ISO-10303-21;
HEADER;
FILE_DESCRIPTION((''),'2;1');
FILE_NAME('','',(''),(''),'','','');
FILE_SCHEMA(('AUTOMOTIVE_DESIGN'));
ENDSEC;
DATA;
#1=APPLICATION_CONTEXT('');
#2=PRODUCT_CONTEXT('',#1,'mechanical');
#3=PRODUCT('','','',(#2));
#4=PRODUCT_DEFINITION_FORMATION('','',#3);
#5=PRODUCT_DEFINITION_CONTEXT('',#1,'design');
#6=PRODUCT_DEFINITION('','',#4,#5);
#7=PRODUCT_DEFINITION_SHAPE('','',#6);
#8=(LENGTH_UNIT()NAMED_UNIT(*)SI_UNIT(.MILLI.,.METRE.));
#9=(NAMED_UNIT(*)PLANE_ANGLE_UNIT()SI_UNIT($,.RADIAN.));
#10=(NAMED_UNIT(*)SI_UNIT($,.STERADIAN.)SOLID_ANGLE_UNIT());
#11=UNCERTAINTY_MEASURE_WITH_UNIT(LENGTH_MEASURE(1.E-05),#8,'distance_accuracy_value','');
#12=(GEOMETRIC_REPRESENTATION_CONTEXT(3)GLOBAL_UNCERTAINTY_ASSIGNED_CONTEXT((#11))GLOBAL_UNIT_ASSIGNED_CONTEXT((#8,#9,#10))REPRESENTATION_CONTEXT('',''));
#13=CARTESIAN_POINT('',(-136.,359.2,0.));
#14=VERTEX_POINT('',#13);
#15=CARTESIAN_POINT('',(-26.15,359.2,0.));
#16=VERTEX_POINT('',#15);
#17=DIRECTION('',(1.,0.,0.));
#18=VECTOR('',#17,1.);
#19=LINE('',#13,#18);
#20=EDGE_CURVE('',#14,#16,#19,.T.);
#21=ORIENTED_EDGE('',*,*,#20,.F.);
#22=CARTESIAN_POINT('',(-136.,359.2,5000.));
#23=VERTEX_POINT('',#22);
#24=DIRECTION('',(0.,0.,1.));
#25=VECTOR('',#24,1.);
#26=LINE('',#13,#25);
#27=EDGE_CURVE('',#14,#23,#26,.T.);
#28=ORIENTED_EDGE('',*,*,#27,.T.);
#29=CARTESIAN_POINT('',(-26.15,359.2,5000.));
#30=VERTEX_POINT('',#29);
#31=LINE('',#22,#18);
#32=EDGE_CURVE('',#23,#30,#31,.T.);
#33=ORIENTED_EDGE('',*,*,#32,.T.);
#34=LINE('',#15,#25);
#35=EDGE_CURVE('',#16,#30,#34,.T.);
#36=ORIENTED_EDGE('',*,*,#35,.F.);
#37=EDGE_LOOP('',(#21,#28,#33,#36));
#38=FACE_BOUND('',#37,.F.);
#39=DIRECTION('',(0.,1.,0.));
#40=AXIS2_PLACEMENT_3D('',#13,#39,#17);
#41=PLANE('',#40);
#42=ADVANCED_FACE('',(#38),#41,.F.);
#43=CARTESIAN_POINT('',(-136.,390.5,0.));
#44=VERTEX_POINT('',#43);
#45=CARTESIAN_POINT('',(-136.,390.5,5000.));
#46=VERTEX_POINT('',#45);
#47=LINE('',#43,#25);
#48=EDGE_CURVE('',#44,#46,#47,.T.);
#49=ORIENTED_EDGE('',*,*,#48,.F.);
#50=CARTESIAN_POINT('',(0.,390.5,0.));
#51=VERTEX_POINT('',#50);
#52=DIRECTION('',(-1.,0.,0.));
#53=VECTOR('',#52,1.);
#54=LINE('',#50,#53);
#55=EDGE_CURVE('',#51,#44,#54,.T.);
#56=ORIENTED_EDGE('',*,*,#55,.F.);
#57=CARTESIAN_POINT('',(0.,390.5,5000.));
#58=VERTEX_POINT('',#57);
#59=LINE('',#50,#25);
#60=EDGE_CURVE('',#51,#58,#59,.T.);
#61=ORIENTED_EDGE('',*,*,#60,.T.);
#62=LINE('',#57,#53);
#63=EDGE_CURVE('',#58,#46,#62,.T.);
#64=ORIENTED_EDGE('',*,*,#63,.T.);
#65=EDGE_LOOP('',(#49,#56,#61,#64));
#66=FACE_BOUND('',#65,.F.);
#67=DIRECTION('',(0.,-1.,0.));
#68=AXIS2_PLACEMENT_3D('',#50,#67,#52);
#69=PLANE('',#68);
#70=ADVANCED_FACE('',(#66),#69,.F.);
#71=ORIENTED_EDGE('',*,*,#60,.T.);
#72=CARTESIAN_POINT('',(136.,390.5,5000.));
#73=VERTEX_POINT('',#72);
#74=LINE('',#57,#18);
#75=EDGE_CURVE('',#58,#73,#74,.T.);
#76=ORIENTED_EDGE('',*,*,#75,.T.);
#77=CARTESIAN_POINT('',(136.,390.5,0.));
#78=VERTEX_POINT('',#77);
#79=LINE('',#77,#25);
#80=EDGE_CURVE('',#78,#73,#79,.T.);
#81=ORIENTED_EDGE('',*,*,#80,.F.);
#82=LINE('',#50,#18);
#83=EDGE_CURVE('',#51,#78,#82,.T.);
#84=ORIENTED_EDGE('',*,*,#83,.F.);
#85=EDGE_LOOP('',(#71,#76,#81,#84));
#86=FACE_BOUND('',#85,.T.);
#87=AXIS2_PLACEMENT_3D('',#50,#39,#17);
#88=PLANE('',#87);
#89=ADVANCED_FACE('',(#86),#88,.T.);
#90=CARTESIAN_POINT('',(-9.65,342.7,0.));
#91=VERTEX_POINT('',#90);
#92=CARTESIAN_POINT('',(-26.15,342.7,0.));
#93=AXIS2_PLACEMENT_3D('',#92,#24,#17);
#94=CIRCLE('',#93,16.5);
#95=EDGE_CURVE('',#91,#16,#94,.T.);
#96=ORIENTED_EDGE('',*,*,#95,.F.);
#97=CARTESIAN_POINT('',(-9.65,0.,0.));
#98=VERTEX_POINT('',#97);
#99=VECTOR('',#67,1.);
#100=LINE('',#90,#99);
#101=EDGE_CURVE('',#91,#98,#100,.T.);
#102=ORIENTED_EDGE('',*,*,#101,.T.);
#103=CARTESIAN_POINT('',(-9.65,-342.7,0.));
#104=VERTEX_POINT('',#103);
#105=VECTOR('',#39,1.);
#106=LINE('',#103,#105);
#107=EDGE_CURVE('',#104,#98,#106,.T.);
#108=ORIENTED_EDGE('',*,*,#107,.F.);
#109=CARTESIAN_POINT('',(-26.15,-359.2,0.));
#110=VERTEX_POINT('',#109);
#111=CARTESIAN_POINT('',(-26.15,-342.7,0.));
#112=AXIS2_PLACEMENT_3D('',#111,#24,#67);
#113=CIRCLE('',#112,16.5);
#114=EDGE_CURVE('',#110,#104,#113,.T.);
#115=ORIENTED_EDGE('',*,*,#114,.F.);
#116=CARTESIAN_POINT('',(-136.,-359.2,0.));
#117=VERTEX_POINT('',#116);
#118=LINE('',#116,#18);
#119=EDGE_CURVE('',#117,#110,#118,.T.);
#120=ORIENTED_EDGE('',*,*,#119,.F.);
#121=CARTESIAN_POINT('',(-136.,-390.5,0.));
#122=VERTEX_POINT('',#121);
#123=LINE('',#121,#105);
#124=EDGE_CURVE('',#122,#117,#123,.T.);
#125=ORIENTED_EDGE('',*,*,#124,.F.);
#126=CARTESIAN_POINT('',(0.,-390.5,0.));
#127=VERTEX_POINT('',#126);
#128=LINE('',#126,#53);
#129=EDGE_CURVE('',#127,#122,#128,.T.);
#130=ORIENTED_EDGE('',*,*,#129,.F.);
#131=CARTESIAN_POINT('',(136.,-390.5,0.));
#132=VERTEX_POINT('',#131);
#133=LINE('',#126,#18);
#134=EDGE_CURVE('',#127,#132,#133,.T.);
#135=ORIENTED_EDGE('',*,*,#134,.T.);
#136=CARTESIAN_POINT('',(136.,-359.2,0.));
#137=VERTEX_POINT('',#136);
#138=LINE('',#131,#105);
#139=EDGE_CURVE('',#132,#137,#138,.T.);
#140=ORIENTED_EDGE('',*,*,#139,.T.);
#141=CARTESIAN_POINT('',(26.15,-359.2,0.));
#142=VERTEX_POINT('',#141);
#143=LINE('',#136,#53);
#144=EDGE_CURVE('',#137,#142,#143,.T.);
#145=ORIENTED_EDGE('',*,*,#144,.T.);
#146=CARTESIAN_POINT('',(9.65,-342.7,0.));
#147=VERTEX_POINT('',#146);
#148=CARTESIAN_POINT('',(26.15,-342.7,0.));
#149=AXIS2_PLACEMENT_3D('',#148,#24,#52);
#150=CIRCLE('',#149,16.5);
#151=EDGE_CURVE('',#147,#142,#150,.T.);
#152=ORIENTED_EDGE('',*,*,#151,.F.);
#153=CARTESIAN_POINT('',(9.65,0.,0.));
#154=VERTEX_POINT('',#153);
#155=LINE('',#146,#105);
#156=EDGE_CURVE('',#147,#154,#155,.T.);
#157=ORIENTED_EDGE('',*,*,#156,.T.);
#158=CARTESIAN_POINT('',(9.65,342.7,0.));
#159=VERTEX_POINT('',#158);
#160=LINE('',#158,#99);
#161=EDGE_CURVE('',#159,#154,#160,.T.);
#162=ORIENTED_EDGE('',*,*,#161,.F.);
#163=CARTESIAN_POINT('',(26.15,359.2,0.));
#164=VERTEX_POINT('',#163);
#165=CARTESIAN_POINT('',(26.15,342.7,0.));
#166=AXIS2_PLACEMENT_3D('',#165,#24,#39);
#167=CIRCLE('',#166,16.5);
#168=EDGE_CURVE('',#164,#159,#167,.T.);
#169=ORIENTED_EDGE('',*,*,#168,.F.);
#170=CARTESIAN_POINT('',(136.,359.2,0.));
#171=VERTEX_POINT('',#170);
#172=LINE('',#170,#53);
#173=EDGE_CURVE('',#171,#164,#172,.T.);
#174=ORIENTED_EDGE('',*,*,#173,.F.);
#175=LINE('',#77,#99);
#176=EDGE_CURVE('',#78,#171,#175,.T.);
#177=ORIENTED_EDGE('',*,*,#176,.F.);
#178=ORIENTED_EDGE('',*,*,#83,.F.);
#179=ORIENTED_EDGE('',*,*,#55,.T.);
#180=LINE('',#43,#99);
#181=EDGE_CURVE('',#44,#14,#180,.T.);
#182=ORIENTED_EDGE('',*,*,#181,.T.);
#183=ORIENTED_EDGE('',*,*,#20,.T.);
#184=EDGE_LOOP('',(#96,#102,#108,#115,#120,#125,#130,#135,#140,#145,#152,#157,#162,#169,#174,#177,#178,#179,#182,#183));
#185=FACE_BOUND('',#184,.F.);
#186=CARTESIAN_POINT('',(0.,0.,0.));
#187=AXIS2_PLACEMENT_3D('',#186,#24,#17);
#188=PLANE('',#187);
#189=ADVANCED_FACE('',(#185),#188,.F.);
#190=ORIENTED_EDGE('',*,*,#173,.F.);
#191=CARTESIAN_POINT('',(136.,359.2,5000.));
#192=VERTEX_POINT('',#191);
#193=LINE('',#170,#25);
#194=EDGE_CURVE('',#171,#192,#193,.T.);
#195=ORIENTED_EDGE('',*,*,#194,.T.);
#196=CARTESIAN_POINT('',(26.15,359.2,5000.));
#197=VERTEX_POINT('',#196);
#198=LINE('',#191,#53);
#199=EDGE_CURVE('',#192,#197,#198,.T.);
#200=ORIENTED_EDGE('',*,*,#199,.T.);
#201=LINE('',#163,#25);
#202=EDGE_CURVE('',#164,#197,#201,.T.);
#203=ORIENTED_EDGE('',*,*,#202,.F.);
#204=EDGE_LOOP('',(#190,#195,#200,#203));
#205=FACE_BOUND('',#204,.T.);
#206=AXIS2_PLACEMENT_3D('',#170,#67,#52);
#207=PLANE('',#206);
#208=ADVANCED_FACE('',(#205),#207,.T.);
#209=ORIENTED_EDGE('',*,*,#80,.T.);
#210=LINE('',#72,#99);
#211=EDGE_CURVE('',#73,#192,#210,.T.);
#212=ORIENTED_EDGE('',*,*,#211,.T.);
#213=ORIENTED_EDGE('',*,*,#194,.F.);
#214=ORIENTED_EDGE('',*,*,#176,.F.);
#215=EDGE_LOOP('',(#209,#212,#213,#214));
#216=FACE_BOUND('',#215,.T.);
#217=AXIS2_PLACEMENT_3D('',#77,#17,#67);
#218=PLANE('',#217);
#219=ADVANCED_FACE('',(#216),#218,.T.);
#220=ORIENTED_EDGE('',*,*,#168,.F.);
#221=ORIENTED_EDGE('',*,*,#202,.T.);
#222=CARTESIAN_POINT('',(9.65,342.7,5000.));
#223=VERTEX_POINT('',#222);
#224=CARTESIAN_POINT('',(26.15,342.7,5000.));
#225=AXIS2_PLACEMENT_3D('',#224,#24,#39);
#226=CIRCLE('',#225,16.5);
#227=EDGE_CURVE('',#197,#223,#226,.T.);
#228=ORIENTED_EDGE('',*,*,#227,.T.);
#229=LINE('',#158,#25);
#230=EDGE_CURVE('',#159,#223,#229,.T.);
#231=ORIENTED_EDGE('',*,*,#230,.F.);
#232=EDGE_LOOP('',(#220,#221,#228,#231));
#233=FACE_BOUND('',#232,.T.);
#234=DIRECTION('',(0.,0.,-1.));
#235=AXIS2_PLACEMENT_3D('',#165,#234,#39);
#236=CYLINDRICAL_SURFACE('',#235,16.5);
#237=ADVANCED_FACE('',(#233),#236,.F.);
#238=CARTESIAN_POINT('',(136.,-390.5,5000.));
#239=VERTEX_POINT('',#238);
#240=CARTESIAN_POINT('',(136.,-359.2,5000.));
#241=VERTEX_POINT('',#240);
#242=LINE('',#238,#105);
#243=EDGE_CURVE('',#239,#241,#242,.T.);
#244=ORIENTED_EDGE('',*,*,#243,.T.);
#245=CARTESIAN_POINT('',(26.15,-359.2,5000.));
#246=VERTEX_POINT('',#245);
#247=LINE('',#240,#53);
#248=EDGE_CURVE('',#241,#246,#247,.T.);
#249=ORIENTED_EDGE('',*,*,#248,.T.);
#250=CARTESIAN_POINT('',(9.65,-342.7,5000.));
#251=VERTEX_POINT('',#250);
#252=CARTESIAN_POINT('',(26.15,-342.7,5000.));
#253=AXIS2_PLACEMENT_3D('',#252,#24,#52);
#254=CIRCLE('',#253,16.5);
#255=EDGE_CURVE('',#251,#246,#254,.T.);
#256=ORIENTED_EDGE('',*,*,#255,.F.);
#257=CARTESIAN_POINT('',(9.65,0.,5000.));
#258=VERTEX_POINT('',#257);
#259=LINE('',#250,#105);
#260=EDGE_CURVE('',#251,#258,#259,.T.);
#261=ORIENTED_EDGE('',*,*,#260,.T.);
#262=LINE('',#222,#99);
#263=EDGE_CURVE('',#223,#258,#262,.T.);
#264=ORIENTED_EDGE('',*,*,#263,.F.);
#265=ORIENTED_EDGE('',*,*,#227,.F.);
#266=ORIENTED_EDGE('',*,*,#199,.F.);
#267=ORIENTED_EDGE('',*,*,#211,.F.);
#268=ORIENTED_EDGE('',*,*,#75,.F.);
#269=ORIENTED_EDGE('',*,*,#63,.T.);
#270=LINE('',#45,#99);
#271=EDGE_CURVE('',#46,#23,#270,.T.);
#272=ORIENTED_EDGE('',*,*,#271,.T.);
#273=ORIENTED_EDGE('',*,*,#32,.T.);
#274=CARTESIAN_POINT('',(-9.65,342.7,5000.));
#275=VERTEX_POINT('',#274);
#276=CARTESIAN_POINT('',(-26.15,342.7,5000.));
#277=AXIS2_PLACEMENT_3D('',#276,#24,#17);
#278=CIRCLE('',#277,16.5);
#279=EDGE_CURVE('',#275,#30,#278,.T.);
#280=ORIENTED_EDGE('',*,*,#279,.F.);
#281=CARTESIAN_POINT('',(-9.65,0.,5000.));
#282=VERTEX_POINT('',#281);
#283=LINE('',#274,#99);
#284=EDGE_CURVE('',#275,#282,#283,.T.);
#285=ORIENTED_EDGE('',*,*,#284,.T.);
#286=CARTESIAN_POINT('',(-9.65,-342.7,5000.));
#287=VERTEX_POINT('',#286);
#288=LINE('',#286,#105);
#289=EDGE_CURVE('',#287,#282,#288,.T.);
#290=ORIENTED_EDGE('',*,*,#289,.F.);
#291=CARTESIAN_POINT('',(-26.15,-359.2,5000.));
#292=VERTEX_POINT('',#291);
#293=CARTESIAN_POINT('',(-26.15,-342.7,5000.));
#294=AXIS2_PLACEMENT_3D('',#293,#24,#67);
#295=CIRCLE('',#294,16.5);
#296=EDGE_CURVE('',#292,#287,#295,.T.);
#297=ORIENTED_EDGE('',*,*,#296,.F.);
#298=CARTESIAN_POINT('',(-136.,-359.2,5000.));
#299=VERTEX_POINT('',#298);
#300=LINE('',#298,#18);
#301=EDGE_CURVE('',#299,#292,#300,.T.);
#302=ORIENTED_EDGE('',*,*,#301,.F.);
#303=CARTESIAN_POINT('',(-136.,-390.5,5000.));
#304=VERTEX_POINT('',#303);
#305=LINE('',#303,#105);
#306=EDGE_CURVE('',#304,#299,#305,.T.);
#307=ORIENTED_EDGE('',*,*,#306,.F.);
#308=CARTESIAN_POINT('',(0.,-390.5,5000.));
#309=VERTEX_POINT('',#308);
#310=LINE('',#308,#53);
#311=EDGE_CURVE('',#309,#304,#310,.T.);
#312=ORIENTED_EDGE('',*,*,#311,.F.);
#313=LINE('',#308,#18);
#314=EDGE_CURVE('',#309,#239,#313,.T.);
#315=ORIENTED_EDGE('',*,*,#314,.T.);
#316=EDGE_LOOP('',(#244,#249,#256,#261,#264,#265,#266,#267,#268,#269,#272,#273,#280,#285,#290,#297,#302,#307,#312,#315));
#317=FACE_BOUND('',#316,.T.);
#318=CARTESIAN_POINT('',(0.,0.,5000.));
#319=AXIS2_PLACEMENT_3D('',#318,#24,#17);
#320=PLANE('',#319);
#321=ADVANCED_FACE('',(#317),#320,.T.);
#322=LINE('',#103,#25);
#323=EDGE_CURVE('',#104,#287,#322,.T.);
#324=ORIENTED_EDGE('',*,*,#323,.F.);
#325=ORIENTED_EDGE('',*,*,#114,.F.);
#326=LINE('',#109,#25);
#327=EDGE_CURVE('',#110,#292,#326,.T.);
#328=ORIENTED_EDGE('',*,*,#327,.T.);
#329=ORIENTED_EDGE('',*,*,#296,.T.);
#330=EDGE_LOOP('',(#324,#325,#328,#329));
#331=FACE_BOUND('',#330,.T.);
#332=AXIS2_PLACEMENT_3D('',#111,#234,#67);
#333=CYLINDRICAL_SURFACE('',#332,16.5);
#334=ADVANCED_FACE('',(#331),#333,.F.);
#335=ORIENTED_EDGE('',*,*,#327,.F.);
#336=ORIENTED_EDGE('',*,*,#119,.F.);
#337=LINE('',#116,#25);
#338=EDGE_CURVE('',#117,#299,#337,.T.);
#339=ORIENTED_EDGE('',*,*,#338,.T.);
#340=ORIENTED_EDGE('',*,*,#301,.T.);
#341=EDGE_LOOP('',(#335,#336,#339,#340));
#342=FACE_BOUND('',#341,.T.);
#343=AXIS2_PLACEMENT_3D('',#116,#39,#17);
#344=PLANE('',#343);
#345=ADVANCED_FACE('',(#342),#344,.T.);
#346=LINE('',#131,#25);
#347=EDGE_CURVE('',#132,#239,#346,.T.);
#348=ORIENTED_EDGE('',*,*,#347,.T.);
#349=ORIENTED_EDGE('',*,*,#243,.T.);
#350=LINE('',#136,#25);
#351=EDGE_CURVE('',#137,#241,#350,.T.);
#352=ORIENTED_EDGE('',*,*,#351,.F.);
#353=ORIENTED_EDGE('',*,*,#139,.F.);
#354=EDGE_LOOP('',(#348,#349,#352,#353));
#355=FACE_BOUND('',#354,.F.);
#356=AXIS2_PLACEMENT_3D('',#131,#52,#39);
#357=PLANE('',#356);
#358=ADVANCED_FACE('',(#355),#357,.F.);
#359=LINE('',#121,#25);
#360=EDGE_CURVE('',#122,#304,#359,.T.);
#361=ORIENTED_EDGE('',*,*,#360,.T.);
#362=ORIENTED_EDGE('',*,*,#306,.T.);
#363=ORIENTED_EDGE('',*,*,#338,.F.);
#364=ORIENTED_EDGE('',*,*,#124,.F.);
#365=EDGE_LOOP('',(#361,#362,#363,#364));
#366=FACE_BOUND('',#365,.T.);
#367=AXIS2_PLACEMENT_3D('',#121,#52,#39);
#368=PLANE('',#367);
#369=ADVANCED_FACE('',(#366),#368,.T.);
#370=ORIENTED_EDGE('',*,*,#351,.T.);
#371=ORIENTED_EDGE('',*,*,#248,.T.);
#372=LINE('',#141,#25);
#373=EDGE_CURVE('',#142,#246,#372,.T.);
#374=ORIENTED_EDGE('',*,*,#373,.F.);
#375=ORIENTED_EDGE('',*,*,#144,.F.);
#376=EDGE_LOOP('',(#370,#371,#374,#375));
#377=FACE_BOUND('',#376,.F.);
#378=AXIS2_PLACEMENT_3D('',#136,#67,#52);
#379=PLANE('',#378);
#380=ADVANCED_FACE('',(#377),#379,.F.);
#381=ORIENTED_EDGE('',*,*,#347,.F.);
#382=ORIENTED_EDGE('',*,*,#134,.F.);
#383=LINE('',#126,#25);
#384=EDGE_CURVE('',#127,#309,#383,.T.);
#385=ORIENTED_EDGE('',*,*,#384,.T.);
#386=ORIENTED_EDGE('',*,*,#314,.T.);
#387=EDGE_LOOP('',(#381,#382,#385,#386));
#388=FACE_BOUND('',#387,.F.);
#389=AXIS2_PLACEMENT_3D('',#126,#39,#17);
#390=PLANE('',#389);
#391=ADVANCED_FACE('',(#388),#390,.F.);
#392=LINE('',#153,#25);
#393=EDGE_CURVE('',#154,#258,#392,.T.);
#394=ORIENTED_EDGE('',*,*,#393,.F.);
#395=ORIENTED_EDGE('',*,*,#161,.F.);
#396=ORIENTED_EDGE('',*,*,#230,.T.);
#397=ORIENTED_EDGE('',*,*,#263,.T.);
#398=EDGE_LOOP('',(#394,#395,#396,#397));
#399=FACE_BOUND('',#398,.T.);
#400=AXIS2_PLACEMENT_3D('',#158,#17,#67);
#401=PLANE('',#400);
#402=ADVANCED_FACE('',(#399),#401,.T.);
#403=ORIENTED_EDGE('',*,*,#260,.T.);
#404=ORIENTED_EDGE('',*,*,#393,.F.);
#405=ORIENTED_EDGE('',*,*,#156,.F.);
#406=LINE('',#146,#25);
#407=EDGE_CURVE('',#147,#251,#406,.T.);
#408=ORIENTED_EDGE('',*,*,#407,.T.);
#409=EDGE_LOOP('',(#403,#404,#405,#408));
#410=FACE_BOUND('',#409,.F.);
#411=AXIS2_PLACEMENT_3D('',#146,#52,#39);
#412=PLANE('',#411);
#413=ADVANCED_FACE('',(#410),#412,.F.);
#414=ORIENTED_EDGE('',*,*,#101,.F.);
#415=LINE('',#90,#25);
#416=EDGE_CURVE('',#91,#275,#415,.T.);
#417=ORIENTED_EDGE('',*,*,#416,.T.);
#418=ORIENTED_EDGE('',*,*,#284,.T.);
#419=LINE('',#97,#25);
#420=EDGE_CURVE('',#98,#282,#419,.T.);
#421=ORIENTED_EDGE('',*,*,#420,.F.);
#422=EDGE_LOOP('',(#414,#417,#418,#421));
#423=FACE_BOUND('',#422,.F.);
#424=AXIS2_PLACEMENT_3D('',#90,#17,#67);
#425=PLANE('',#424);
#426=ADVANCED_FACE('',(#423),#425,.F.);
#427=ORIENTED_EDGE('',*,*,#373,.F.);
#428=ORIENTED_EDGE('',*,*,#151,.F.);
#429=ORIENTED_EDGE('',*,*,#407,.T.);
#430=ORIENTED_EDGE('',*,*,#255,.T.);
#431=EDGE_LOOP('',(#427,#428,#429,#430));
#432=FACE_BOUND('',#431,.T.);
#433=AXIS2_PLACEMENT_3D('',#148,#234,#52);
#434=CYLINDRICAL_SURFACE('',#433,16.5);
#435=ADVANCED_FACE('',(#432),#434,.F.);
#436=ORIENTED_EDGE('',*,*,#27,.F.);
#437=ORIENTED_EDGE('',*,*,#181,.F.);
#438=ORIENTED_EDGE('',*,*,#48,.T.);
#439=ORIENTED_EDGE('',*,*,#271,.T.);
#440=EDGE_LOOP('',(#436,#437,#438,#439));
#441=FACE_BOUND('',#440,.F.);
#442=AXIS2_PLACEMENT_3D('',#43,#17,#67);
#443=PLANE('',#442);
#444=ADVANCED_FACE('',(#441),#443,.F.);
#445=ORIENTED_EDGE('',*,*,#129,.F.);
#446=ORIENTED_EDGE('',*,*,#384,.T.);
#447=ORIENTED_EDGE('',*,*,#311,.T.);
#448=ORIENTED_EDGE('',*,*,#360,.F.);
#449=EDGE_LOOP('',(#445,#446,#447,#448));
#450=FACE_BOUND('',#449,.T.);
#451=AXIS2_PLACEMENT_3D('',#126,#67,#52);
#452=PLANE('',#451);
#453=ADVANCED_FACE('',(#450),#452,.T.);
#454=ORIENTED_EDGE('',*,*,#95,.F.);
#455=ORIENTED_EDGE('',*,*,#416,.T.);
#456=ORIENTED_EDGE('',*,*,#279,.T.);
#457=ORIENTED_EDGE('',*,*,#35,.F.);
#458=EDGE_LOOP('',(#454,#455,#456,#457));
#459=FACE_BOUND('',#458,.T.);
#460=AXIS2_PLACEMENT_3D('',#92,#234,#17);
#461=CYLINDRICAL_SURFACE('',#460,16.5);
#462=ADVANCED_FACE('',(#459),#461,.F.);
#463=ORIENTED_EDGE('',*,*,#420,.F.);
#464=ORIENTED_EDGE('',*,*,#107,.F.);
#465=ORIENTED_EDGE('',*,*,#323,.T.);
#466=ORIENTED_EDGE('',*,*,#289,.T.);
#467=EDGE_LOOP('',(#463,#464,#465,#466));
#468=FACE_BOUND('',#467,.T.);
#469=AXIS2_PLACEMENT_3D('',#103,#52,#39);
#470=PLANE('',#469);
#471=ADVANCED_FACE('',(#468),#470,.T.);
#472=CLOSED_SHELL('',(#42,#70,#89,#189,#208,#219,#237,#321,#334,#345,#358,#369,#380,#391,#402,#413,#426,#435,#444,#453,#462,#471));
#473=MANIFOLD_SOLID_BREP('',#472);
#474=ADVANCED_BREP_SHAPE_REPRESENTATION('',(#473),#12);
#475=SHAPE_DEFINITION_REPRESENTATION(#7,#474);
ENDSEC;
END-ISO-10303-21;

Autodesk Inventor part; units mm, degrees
ref_plane "YZ Plane" through (0, 0, 0) normal (1, 0, 0) x (0, 1, 0)
ref_plane "Start plane" through (0, 0, 0) normal (0, 0, 1) x (1, 0, 0)
ref_plane "End plane" through (0, 0, 5000) normal (0, 0, 1) x (1, 0, 0)
sketch "Sketch" plane through (0, 0, 0) normal (0, 0, 1) x (1, 0, 0)
  line L0 (-136, -390.5) -> (-136, -359.2)
  line L1 (-136, -359.2) -> (-26.15, -359.2)
  line L2 (-9.65, -342.7) -> (-9.65, 0)
  line L3 (-9.65, 0) -> (0, 0) construction
  line L4 (0, 0) -> (0, -390.5) construction
  line L5 (0, -390.5) -> (-136, -390.5)
  line L6 (-60, 0) -> (80, 0) construction
  line L7 (0, -60) -> (0, 80) construction
  line L8 (136, -390.5) -> (136, -359.2)
  line L9 (136, -359.2) -> (26.15, -359.2)
  line L10 (9.65, -342.7) -> (9.65, 0)
  line L11 (9.65, 0) -> (0, 0) construction
  line L12 (0, -390.5) -> (136, -390.5)
  line L13 (-136, 390.5) -> (-136, 359.2)
  line L14 (-136, 359.2) -> (-26.15, 359.2)
  line L15 (-9.65, 342.7) -> (-9.65, 0)
  line L16 (0, 390.5) -> (-136, 390.5)
  line L17 (136, 390.5) -> (136, 359.2)
  line L18 (136, 359.2) -> (26.15, 359.2)
  line L19 (0, 390.5) -> (136, 390.5)
  line L20 (9.65, 342.7) -> (9.65, 0)
  arc A0 (-9.65, 342.7) -> (-26.15, 359.2) centre (-26.15, 342.7) ccw
  arc A1 (26.15, 359.2) -> (9.65, 342.7) centre (26.15, 342.7) ccw
  arc A2 (9.65, -342.7) -> (26.15, -359.2) centre (26.15, -342.7) ccw
  arc A3 (-26.15, -359.2) -> (-9.65, -342.7) centre (-26.15, -342.7) ccw
  line L21 (0, 108) -> (0, -88) construction
  line L22 (-88, 0) -> (108, 0) construction
  point P0 (-9.65, -359.2)
  point P1 (9.65, -359.2)
  point P2 (-9.65, 359.2)
  point P3 (9.65, 359.2)
  dimension "d1" = 390.5
  dimension "d2" = 31.3
  dimension "d3" = 136
  dimension "d4" = 9.65
  dimension "d10" = 16.5
extrude "Body" add sketch "Sketch" along normal up to surface (5000 mm away) from surface at 0
sketch "Sketch4" plane through (0, 0, 0) normal (0, 0, 1) x (1, 0, 0)
  line L0 (0, 0) -> (10, 0)
ref_plane "Work Plane3" through (0, 0, 0) normal (0, -1, 0) x (1, 0, 0)
sketch "Sketch5" plane through (0, 0, 0) normal (0, -1, 0) x (1, 0, 0)
  line L0 (-2, 0) -> (12, 0) projected
  line L1 (-2, 5000) -> (12, 5000) projected
  dimension "d14" = 5000
equation "\"d1\" = 0.5 * G_H"
equation "\"d2\" = G_T1"
equation "\"d3\" = 0.5 * G_W"
equation "\"d4\" = 0.5 * G_T"
equation "\"d10\" = G_IR"
equation "\"d5\" = G_L"
equation "\"G_W\" = 272"
equation "\"G_H\" = 781"
equation "\"G_T\" = 19.3"
equation "\"G_T1\" = 31.3"
equation "\"G_IR\" = 16.5"
equation "\"G_L\" = d14"
equation "\"G_OFFSET_START\" = 0"
equation "\"G_OFFSET_END\" = 0"
properties part number "AS 3679-1990 - 760 UB - 244 - 5000" material "Steel, Mild"
